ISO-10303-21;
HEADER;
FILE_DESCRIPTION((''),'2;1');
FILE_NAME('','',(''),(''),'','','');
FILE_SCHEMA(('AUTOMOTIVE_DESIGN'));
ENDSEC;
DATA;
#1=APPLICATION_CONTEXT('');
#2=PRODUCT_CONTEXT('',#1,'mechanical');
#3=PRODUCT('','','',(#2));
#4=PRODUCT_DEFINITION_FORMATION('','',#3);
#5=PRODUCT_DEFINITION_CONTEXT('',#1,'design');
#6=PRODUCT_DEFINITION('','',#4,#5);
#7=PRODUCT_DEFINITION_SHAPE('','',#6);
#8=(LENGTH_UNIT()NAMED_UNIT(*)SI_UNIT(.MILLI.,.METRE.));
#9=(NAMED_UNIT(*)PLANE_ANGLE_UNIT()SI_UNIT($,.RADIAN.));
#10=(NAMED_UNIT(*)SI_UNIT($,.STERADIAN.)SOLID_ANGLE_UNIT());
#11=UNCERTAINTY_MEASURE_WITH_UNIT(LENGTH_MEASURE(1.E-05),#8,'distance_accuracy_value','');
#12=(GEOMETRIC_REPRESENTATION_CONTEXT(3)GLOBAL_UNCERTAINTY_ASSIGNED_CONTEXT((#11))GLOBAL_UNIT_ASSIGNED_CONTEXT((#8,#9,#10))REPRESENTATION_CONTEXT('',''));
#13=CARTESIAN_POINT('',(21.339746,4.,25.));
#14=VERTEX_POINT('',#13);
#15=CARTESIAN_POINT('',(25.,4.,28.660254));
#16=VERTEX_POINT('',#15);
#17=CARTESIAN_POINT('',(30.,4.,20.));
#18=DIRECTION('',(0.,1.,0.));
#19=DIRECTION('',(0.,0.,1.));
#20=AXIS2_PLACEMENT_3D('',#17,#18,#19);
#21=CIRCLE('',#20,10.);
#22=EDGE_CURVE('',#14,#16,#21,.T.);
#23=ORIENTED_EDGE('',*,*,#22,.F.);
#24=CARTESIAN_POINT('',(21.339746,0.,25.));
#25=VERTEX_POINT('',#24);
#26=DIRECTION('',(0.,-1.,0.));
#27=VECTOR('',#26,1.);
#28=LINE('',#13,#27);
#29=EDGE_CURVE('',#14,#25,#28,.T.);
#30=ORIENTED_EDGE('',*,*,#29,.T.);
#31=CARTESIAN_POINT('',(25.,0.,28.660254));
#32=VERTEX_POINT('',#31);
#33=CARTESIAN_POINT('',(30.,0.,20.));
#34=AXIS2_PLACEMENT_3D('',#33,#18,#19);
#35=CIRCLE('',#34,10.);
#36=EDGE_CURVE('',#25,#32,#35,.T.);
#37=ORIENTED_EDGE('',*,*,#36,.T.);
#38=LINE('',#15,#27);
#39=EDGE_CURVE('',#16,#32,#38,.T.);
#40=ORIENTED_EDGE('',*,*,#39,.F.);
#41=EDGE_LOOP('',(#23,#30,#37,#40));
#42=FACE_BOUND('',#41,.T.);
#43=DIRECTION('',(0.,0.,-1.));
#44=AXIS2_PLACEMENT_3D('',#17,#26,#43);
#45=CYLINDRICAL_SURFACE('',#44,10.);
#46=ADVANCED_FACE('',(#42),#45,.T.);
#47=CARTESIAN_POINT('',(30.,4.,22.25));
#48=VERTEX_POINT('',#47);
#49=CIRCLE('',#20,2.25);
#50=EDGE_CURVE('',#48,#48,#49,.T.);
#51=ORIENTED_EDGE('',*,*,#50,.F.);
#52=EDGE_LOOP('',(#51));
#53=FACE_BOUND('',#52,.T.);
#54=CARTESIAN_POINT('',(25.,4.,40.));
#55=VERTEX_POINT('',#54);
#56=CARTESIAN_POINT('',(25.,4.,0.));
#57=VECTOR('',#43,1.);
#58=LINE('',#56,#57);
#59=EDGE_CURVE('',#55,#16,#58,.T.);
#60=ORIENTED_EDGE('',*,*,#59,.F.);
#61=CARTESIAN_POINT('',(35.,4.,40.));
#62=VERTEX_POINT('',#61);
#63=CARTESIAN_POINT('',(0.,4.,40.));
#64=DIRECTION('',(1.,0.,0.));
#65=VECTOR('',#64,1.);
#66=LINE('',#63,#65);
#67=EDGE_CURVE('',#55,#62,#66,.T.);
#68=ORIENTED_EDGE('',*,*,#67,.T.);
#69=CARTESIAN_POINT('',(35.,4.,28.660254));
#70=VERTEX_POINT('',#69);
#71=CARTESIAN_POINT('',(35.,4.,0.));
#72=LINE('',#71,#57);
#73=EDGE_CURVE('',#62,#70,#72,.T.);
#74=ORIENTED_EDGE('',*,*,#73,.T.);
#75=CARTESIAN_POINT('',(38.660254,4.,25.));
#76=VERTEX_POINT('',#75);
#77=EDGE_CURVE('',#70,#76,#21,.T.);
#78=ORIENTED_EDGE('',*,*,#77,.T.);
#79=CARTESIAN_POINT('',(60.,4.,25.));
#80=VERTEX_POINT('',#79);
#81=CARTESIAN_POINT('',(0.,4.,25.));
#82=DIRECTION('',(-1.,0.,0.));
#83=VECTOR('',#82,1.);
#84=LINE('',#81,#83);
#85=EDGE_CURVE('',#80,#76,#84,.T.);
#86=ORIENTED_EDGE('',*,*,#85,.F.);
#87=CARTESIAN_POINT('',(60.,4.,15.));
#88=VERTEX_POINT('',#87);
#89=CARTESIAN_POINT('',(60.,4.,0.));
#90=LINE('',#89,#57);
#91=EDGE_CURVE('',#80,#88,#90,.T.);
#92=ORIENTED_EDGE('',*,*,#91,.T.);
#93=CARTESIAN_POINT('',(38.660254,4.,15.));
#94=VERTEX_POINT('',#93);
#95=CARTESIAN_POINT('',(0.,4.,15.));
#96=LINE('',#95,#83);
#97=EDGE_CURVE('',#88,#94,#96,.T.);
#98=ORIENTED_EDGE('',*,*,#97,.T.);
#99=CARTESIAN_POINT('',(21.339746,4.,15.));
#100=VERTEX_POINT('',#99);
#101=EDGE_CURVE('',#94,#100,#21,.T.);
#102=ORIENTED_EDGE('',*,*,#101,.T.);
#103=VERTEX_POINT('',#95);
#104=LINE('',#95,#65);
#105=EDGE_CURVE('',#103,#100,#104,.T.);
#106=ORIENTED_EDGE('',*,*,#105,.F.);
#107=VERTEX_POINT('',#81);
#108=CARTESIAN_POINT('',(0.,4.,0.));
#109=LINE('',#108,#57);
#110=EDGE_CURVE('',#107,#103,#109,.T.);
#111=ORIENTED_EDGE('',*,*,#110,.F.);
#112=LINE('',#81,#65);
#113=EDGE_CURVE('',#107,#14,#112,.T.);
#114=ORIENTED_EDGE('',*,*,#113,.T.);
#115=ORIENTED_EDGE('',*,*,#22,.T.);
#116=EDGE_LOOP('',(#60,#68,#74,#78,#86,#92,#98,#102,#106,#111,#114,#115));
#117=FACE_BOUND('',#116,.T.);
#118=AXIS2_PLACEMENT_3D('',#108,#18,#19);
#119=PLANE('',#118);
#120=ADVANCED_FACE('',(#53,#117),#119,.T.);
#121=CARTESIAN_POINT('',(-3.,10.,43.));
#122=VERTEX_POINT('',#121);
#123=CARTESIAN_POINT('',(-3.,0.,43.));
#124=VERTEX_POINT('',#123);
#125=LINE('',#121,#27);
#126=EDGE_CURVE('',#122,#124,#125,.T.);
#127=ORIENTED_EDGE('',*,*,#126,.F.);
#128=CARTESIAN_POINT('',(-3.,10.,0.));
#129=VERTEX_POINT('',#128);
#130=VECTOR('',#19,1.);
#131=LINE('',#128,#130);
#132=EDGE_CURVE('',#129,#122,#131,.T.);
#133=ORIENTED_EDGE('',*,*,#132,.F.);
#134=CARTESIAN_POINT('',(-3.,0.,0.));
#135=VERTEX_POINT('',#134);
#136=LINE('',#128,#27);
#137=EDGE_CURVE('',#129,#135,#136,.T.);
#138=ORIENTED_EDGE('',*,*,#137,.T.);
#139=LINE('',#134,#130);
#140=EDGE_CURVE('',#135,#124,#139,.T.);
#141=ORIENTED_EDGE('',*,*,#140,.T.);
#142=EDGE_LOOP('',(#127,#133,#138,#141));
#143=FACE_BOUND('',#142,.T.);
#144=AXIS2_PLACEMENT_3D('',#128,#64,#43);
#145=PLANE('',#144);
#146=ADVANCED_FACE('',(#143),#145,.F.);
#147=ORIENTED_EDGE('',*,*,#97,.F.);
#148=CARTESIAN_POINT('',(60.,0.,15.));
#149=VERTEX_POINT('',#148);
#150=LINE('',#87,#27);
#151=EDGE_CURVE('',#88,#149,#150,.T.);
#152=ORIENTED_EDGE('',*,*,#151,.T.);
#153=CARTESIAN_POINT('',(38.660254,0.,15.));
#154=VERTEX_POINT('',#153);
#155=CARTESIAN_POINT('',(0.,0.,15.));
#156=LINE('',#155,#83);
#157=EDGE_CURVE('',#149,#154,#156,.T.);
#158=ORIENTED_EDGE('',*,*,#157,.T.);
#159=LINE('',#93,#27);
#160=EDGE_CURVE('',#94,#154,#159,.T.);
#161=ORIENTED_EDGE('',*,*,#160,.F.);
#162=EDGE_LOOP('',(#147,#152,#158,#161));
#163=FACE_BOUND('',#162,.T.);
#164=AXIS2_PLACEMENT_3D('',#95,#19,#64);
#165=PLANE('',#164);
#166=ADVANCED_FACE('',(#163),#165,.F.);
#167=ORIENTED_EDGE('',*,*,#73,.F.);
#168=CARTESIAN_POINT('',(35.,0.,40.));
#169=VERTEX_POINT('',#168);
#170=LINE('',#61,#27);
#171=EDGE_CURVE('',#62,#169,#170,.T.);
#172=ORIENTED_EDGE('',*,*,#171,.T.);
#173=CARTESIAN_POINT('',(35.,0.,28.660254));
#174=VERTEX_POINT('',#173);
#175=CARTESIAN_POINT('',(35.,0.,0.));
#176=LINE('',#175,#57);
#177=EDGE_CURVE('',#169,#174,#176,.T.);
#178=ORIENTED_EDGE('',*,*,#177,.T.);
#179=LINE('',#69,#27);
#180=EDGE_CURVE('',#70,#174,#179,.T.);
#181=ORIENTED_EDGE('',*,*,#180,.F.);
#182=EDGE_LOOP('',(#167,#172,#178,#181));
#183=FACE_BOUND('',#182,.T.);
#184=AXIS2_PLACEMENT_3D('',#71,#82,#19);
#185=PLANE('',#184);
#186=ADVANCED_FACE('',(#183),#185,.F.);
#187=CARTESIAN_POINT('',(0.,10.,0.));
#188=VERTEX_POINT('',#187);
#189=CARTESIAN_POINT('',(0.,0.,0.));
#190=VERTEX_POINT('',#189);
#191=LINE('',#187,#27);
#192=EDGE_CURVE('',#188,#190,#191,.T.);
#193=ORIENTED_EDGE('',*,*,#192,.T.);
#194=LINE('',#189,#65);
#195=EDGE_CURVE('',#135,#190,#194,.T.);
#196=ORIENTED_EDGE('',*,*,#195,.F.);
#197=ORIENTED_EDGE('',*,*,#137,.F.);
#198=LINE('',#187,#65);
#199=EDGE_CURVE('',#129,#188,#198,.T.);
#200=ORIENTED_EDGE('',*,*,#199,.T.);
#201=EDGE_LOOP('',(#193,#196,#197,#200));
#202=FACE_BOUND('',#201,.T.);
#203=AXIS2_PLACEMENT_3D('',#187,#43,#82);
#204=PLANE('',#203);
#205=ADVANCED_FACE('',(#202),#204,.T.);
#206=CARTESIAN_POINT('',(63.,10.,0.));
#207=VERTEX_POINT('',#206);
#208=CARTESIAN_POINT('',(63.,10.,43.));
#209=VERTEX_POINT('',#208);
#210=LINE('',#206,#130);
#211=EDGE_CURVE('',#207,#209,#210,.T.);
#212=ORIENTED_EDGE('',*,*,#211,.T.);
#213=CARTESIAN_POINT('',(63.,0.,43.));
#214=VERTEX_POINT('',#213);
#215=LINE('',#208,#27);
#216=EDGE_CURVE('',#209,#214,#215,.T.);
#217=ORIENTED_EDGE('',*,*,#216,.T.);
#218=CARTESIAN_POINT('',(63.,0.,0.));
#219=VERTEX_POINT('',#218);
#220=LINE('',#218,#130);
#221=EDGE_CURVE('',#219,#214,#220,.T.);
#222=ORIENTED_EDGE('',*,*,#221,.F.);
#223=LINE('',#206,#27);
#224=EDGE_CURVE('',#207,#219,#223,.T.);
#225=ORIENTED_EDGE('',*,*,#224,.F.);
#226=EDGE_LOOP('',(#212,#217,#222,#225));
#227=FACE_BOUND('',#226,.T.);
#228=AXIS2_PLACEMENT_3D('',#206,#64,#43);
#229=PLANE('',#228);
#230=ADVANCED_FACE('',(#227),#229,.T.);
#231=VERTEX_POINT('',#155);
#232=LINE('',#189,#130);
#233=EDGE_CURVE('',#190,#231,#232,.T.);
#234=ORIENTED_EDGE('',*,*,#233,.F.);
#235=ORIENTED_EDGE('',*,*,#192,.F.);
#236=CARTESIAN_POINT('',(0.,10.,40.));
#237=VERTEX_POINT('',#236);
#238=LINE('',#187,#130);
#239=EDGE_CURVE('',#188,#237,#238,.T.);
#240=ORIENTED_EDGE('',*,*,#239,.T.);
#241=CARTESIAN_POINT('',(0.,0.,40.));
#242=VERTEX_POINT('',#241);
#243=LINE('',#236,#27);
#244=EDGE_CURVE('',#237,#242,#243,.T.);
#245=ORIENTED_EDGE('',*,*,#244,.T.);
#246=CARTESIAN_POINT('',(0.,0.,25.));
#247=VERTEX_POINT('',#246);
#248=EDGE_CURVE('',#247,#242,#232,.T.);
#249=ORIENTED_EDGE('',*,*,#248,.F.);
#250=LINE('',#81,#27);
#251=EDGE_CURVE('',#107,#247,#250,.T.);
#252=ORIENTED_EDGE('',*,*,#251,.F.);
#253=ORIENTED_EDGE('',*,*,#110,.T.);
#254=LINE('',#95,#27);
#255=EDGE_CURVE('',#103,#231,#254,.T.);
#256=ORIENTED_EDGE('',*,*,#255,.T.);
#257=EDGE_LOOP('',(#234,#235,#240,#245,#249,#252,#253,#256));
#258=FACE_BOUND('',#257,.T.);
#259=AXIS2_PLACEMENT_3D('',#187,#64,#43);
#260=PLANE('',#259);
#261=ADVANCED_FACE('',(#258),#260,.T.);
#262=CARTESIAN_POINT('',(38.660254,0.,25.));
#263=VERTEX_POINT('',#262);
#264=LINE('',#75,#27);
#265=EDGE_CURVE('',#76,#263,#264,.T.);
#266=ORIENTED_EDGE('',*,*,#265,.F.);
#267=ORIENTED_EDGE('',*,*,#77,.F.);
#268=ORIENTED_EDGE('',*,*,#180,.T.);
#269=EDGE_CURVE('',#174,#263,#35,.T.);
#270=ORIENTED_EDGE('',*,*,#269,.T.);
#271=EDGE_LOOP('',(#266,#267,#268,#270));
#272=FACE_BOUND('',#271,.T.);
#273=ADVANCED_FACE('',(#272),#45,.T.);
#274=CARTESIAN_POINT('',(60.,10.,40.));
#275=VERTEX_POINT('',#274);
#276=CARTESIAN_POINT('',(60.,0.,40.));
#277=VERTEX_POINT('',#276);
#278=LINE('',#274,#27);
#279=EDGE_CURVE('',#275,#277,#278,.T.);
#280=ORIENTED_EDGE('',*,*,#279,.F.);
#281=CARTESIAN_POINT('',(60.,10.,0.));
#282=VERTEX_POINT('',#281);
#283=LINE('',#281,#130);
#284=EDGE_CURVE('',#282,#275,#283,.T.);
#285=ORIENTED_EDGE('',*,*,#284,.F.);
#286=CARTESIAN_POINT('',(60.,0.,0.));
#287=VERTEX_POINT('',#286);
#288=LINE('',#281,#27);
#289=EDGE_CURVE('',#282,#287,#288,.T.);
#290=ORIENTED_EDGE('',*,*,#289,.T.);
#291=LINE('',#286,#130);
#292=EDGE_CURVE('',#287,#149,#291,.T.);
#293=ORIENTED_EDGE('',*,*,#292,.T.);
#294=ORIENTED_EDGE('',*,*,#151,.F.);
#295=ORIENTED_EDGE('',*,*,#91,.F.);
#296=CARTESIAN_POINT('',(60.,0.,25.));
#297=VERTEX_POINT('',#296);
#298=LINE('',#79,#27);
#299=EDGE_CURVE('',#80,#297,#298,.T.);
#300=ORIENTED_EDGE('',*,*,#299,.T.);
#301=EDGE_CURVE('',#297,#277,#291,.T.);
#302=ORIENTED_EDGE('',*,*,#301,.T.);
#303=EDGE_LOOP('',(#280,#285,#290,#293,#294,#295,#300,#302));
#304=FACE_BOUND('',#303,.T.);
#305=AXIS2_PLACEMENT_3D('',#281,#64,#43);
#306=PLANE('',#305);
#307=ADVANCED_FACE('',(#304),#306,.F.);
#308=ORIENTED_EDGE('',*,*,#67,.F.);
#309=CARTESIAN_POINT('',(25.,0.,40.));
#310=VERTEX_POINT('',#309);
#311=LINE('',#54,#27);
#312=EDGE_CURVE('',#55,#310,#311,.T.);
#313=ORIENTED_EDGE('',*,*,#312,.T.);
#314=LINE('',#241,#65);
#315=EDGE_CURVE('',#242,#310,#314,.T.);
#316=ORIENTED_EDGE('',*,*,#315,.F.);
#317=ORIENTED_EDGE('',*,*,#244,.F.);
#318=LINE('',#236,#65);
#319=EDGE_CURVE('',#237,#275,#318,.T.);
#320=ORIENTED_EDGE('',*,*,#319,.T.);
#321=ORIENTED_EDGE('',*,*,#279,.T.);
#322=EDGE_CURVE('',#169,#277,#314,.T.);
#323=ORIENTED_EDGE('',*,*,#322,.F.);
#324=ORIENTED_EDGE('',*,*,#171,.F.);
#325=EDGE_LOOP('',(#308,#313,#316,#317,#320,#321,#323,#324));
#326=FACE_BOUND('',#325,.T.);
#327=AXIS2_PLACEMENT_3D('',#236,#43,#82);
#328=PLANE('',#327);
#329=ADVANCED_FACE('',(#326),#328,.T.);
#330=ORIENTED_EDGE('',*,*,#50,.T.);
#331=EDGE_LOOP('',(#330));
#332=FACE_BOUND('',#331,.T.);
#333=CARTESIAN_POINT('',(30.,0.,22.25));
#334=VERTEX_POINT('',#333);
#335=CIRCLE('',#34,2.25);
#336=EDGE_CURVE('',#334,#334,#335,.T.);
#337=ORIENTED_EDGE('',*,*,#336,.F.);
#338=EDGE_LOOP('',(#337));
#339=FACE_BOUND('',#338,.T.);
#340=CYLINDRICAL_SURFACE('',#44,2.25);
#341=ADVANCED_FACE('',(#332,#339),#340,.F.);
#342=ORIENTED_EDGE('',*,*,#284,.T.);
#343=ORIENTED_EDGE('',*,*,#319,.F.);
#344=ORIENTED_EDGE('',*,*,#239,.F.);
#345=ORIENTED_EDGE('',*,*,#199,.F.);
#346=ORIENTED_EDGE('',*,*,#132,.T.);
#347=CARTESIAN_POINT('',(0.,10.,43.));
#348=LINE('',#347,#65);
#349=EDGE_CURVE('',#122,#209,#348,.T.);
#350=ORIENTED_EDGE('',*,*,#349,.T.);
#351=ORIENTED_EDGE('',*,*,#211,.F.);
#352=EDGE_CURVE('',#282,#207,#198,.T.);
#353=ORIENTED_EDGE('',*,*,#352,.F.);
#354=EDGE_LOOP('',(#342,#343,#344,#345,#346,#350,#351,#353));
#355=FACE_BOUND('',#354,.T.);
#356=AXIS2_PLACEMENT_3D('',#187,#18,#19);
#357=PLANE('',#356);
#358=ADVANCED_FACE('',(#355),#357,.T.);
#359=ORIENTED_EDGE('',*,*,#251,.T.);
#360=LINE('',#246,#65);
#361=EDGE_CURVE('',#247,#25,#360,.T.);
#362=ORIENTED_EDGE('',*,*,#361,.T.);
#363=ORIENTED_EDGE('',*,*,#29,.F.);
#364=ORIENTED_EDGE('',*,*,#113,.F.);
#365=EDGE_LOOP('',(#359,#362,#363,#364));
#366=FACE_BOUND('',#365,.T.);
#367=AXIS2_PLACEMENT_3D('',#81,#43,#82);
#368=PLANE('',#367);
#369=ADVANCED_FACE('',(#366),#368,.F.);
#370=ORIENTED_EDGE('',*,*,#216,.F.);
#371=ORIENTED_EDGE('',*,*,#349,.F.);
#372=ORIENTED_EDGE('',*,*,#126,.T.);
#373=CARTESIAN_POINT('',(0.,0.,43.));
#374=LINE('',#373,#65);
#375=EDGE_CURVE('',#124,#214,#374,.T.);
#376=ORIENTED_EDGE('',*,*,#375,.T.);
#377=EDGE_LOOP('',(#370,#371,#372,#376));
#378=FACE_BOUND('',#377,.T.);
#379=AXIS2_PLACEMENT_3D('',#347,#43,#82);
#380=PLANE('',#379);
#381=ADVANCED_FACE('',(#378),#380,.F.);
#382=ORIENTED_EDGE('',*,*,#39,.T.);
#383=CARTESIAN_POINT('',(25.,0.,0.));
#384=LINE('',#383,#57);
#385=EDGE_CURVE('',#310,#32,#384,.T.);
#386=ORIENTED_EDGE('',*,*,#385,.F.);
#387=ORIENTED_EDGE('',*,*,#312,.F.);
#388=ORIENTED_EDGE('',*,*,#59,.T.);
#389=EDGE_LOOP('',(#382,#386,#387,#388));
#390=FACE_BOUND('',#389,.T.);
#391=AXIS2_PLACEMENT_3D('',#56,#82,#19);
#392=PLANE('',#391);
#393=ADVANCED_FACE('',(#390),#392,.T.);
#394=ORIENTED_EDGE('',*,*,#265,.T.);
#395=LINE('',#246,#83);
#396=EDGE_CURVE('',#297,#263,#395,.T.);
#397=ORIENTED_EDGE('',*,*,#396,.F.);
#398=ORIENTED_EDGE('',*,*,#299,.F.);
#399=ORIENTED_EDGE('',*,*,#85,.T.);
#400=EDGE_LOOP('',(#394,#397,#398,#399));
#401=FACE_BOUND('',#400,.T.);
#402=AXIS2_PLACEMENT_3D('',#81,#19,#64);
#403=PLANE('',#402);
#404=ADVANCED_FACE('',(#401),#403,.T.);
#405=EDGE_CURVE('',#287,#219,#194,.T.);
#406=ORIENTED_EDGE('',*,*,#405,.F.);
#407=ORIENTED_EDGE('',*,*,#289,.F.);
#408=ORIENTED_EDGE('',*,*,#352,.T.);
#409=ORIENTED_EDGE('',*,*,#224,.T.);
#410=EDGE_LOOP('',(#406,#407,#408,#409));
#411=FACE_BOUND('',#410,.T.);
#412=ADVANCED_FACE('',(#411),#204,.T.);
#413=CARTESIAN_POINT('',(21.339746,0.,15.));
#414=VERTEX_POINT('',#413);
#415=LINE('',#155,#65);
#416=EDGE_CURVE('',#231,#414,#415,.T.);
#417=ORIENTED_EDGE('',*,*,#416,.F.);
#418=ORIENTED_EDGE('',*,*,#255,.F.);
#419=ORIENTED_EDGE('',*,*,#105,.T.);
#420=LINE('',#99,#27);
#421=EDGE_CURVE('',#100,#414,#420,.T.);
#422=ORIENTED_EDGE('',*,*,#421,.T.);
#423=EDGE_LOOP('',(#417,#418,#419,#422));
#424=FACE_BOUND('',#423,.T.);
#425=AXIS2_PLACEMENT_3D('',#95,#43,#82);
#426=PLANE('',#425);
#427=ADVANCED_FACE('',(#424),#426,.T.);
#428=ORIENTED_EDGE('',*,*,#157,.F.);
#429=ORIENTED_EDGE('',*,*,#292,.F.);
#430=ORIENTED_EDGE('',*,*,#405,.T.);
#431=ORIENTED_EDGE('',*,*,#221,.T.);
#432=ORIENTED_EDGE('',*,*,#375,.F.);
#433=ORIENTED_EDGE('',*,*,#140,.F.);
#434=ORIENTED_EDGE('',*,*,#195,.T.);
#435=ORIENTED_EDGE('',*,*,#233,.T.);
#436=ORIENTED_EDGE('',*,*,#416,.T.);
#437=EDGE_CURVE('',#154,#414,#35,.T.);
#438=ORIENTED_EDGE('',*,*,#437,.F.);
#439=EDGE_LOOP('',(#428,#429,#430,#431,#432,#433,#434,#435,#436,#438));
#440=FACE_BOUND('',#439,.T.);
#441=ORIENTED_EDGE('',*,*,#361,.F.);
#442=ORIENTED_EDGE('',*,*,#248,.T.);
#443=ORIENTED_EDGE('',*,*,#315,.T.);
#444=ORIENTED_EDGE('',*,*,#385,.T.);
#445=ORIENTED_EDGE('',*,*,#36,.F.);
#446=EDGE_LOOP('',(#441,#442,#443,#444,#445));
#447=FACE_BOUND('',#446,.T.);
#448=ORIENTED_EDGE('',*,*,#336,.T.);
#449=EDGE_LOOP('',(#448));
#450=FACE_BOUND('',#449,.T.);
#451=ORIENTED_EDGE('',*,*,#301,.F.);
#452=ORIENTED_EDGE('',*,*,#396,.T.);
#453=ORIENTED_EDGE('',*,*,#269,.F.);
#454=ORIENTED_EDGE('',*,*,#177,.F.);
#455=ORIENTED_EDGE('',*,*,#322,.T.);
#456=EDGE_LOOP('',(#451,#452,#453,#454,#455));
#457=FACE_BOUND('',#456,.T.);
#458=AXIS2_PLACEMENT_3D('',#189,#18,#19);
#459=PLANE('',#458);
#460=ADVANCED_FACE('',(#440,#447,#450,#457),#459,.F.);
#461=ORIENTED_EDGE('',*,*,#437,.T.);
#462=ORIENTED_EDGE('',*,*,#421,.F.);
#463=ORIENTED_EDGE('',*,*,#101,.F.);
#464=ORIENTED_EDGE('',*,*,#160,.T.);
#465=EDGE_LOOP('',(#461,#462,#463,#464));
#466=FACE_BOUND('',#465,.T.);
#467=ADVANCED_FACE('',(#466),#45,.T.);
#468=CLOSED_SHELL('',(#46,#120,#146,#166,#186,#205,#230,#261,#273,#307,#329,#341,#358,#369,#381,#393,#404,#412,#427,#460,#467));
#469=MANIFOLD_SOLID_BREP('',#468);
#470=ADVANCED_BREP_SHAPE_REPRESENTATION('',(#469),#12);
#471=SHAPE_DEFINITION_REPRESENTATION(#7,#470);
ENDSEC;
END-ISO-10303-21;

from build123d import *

# Parameters (mm, degrees)
BOSS_EXTRUDE1_DEPTH = 10
SKETCH2_R           = 2.25
BOSS_EXTRUDE2_DEPTH = 4


with BuildPart() as part:
    # Sketch1 → Boss-Extrude1 (new body)
    with BuildSketch(Plane(origin=(0, 0, 0), x_dir=(1, 0, 0), z_dir=(0, 1, 0))):
        Polygon((0, -40), (0, 0), (-3, 0), (-3, -43), (63, -43), (63, 0), (60, 0), (60, -40), align=None)
    extrude(amount=BOSS_EXTRUDE1_DEPTH)

    # Sketch2 → Boss-Extrude2 (add)
    with BuildSketch(Plane(origin=(0, 0, 0), x_dir=(1, 0, 0), z_dir=(0, 1, 0))):
        with BuildLine():
            Line((0, -15), (0, -25))
            Line((0, -25), (21.339745962, -25))
            ThreePointArc((21.339745962, -25), (22.928932188, -27.071067812), (25, -28.660254038))
            Line((25, -28.660254038), (25, -40))
            Line((25, -40), (35, -40))
            Line((35, -40), (35, -28.660254038))
            ThreePointArc((35, -28.660254038), (37.071067812, -27.071067812), (38.660254038, -25))
            Line((38.660254038, -25), (60, -25))
            Line((60, -25), (60, -15))
            Line((60, -15), (38.660254038, -15))
            ThreePointArc((38.660254038, -15), (30, -10), (21.339745962, -15))
            Line((21.339745962, -15), (0, -15))
        make_face()
        with Locations(Location((30, -20, 0), (0, 0, 270))):
            Circle(SKETCH2_R, mode=Mode.SUBTRACT)
    extrude(amount=BOSS_EXTRUDE2_DEPTH)


solid = part.part
